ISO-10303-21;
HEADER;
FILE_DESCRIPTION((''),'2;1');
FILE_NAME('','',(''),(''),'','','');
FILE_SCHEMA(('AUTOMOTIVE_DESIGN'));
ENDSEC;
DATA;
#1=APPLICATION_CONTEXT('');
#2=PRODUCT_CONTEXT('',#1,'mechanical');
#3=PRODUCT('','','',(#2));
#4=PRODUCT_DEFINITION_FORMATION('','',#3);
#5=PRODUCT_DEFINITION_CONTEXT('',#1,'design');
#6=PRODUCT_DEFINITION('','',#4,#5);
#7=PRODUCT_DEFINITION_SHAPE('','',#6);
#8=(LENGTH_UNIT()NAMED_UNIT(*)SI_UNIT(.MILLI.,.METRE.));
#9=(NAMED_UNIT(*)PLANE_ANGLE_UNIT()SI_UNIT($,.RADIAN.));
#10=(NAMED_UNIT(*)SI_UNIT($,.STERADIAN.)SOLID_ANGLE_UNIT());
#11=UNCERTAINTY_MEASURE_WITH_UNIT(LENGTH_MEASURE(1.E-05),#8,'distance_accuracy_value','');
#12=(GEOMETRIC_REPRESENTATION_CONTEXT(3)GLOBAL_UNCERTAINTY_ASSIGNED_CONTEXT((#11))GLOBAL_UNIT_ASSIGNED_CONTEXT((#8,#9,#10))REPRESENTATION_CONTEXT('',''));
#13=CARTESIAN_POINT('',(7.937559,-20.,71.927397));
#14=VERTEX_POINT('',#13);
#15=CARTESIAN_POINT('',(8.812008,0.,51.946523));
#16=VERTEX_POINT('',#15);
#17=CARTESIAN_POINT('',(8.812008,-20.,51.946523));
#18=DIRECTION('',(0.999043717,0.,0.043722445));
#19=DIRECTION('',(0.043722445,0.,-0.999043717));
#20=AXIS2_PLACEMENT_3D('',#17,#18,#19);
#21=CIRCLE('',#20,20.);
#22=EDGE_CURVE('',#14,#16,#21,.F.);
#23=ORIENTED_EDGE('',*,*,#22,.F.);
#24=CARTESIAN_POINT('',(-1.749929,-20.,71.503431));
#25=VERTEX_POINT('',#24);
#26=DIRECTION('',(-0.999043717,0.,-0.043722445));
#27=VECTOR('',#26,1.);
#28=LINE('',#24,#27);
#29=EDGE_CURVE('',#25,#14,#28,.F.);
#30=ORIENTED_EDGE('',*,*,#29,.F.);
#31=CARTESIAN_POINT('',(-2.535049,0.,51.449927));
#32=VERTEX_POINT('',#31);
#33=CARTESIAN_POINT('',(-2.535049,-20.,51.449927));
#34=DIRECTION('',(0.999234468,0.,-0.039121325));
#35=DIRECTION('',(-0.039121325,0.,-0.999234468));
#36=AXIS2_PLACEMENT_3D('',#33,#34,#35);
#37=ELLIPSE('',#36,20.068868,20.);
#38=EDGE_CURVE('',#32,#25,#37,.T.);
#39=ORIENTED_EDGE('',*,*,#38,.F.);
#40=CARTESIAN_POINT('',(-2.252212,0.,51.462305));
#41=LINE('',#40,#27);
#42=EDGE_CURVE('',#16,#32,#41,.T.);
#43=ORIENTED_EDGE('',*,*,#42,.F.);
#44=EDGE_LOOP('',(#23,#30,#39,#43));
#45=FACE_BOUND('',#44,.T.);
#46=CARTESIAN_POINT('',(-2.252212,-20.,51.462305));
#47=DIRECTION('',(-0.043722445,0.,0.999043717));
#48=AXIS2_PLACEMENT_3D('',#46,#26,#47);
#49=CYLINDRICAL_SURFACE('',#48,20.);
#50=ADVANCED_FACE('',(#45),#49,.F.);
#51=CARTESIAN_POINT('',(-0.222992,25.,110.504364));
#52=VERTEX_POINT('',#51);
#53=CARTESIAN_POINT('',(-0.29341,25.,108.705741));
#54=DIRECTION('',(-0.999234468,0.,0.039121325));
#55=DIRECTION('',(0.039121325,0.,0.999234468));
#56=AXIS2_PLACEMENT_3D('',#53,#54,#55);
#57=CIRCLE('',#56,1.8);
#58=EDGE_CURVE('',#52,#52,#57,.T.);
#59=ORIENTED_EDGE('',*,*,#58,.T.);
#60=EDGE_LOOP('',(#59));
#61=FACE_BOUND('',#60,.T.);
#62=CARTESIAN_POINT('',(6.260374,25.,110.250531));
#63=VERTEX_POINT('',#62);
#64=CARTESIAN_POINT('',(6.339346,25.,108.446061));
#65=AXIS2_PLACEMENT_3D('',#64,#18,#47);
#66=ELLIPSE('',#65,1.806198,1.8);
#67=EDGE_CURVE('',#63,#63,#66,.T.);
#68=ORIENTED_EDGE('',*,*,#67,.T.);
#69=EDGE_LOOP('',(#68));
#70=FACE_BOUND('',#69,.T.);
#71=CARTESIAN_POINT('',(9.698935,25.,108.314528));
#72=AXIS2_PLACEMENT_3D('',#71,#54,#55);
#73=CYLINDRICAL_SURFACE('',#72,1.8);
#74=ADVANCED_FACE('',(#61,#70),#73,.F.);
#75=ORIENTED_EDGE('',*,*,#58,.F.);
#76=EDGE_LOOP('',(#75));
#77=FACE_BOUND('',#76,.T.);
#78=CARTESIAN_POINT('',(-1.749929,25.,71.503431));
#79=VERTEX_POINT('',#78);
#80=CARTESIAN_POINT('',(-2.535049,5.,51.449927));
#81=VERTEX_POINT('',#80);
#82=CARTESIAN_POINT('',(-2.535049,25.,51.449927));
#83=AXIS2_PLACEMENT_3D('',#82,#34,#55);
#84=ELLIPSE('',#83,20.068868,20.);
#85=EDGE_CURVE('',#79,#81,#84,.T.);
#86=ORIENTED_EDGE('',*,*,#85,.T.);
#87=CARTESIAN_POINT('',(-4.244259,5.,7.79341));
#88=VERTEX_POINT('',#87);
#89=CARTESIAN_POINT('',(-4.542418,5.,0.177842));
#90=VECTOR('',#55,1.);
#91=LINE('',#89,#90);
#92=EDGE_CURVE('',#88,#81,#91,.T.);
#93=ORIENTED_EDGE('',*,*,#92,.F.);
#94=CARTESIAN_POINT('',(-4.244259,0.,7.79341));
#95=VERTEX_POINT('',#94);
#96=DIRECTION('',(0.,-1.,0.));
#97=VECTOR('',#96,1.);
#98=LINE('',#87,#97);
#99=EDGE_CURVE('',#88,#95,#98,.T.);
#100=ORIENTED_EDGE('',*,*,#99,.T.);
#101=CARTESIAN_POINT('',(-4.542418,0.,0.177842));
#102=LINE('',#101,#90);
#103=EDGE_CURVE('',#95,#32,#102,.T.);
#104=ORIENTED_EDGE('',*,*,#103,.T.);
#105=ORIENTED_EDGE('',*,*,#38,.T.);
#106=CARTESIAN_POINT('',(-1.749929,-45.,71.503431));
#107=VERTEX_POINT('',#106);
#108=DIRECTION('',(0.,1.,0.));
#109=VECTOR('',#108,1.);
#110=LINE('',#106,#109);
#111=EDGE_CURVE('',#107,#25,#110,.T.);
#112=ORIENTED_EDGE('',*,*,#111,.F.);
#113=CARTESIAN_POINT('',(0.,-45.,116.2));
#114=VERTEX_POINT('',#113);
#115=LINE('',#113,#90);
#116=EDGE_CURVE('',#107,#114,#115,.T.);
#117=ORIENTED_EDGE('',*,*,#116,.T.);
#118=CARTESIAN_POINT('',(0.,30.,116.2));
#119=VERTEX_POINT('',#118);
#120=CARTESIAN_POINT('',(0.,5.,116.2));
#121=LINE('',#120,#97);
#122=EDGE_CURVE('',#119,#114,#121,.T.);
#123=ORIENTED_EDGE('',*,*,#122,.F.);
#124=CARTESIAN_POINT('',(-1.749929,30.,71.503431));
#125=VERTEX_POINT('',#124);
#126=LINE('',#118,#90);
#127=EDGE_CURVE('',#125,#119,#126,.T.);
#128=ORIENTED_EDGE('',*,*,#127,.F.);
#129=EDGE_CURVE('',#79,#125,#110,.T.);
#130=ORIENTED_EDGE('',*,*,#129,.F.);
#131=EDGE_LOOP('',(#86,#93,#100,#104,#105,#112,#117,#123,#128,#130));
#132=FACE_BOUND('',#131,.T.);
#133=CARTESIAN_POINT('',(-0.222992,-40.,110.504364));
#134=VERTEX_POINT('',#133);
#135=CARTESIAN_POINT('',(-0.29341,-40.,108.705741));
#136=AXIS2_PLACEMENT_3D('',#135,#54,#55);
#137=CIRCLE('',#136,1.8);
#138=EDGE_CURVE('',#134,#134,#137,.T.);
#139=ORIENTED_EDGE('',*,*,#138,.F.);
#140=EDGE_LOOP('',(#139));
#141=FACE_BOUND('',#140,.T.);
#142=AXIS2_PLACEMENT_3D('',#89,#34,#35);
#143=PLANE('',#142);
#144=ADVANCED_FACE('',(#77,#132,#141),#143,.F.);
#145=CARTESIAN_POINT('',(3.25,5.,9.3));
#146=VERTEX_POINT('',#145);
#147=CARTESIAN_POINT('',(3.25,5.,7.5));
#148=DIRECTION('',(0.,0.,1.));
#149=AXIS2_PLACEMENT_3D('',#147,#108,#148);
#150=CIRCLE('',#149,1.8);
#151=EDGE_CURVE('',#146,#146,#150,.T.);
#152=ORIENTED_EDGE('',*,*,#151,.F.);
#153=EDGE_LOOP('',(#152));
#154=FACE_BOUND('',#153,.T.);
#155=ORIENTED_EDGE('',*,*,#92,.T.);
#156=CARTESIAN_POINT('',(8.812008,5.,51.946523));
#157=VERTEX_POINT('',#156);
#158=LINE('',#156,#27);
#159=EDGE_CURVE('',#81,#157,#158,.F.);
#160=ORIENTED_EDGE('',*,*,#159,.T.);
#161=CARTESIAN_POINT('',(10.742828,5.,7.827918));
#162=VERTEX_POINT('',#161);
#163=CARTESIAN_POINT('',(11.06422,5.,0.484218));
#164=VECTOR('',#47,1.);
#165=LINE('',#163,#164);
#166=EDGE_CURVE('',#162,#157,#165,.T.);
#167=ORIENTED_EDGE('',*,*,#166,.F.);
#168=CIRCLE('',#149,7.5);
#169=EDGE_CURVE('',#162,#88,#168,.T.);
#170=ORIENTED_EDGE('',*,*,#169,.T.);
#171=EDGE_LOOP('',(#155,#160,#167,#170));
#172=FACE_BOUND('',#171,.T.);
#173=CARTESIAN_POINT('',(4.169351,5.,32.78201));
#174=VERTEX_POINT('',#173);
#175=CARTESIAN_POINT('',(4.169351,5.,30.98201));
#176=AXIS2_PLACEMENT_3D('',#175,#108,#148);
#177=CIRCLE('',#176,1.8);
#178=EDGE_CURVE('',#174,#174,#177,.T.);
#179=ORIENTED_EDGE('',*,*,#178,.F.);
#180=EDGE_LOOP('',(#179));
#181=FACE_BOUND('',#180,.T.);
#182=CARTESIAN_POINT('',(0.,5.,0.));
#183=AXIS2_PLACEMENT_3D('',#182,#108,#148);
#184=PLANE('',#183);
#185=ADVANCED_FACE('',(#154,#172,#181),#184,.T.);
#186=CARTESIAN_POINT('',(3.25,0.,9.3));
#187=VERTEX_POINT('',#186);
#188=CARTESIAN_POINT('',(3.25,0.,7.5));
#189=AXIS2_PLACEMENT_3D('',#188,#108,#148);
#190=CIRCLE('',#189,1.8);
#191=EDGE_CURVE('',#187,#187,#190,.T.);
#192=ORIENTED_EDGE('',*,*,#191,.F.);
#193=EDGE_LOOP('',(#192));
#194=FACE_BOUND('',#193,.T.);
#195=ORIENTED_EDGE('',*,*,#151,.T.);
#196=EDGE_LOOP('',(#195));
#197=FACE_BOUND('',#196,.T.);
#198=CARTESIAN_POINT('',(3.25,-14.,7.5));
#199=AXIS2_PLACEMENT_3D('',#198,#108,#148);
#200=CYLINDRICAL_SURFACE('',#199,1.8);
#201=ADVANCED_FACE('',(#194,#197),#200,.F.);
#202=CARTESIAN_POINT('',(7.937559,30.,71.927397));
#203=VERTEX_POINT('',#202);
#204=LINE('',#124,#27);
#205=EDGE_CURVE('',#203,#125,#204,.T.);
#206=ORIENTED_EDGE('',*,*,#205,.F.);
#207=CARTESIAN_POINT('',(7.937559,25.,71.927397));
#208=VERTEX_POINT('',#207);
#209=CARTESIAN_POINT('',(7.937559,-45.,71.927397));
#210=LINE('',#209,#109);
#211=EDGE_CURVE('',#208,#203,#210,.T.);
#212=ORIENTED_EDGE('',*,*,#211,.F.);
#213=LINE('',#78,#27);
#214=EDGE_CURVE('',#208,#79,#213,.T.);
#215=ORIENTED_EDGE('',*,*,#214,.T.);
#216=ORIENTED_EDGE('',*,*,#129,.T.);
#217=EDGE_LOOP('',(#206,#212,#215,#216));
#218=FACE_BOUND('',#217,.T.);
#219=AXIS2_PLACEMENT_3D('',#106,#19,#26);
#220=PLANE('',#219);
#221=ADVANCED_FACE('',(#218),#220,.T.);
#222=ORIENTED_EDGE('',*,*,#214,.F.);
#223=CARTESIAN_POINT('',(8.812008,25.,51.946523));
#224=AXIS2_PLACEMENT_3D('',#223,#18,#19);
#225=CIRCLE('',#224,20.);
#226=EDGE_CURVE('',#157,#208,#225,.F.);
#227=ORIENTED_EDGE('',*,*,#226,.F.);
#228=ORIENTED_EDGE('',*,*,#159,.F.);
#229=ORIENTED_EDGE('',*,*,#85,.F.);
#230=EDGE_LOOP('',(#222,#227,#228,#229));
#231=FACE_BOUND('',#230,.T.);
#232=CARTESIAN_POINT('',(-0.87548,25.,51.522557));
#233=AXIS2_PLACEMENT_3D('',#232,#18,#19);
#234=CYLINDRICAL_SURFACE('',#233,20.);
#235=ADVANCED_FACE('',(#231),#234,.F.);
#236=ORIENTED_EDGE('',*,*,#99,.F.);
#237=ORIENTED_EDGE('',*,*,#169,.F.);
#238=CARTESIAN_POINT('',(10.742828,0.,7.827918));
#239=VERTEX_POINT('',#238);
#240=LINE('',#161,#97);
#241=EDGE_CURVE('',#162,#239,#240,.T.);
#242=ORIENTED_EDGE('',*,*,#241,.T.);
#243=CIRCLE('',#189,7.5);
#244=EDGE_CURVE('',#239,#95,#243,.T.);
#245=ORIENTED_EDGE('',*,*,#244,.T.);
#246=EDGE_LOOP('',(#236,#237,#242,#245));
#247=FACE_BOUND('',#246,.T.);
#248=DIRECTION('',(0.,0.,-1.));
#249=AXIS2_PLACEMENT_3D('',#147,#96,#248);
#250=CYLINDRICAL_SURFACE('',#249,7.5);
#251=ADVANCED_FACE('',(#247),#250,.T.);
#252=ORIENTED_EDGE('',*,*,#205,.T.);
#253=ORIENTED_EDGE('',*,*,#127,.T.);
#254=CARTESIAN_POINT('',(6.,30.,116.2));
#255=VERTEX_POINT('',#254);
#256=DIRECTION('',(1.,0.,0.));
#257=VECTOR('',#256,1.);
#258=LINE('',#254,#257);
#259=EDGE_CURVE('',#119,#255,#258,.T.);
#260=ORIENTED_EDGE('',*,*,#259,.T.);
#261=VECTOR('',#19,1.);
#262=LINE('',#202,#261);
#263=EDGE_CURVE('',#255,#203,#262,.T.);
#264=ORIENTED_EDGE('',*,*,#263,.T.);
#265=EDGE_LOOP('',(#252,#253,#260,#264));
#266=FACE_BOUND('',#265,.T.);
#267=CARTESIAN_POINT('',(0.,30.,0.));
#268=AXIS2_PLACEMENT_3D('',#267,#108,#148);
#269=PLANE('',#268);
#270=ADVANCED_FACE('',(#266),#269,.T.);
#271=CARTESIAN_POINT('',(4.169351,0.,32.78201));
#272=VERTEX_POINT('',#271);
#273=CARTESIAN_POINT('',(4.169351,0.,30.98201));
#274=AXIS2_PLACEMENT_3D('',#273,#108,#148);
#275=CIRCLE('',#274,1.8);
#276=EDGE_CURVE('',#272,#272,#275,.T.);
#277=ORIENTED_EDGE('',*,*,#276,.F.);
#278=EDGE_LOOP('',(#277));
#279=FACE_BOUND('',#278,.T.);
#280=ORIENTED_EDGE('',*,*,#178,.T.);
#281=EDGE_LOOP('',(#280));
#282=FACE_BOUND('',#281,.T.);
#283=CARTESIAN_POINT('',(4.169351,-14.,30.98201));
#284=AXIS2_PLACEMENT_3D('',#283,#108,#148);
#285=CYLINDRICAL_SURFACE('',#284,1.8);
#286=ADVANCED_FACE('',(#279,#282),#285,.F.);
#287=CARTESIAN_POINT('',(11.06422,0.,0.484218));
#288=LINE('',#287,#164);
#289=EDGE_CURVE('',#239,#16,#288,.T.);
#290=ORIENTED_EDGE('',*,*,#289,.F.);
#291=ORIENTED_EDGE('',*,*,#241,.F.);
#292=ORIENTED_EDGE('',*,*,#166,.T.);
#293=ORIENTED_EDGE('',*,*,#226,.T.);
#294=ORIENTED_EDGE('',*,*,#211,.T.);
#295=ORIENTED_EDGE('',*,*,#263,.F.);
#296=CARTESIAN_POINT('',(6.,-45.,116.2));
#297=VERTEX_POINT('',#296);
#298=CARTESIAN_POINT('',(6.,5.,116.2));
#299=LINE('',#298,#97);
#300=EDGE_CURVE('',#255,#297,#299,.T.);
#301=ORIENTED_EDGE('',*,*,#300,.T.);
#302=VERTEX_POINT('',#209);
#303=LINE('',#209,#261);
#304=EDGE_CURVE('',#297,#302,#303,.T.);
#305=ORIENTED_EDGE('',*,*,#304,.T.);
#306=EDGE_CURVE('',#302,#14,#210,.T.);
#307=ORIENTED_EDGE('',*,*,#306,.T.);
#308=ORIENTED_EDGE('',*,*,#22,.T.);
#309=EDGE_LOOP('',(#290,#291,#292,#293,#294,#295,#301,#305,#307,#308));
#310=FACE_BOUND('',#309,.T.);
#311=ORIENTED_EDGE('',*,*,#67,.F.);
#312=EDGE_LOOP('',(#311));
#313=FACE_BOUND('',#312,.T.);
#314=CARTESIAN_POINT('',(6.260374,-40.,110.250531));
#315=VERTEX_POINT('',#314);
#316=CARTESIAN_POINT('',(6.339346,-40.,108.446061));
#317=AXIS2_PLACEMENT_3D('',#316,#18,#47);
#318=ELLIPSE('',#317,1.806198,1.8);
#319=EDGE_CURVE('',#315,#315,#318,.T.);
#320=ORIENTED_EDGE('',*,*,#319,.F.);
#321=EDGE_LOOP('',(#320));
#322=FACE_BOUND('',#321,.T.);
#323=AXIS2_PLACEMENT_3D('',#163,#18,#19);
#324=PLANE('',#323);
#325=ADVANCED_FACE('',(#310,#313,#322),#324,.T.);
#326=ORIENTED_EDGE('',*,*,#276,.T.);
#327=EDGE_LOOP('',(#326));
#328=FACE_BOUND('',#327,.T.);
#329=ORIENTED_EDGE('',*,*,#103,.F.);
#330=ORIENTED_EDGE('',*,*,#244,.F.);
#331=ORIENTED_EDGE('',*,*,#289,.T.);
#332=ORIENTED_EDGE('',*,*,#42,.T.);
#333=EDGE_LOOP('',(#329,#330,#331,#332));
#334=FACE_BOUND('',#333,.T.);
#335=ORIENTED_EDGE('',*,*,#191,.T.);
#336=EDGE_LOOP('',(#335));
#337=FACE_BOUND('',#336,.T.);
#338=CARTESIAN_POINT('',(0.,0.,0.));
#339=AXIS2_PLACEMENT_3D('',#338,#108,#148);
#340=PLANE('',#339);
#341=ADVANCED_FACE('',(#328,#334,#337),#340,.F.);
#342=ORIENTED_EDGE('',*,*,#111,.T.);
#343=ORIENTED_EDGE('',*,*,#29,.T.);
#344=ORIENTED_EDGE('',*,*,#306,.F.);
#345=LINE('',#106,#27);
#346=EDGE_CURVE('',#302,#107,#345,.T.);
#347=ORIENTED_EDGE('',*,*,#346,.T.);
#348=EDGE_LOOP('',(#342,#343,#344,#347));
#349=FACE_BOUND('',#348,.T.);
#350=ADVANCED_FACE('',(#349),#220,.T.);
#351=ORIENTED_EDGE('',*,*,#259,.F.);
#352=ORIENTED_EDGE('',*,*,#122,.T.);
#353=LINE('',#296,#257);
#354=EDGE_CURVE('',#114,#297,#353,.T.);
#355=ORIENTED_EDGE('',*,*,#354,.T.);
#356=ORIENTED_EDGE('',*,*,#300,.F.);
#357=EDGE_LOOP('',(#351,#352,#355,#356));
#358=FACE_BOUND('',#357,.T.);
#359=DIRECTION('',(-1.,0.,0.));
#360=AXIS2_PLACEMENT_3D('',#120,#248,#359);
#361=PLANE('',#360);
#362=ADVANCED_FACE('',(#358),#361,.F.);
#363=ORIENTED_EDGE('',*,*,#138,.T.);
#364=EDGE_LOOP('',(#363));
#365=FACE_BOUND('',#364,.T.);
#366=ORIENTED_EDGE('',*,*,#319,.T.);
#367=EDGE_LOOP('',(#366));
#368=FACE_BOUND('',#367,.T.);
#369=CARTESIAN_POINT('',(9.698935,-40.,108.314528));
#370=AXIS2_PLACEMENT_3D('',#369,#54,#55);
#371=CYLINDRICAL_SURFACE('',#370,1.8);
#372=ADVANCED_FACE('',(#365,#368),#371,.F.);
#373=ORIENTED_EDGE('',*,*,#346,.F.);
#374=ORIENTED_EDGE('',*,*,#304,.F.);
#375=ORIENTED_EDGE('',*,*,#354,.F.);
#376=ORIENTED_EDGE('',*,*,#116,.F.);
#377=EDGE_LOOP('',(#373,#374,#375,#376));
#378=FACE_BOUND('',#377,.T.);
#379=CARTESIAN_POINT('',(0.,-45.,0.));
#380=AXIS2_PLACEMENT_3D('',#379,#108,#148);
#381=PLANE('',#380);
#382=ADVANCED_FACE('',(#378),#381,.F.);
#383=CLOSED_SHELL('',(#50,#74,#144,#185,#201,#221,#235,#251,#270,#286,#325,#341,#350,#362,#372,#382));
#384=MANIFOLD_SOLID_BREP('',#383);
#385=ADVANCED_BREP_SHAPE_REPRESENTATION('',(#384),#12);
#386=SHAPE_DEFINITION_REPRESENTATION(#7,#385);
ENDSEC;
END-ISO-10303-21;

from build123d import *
from build123d.topology import SkipClean

# Parameters (mm, degrees)
BOSS_EXTRUDE1_DEPTH      = 5
BOSS_EXTRUDE2_DEPTH      = 25
BOSS_EXTRUDE2_DEPTH_BACK = 50
FILLET1_R                = 20
SKETCH3_R                = 1.8
CUT_EXTRUDE1_DEPTH       = 19
SKETCH4_R                = 1.8
CUT_EXTRUDE2_DEPTH       = 10


with BuildPart() as part:
    # Sketch1 → Boss-Extrude1 (new body)
    with SkipClean():  # the faces are left unmerged after this step: merging them gives an invalid solid
        with BuildSketch(Plane(origin=(0, 0, 0), x_dir=(1, 0, 0), z_dir=(0, 1, 0))):
            with BuildLine():
                ThreePointArc((0, -0.740747083), (-3.176101933, -3.632802831), (-4.24425851, -7.793409934))
                Line((-4.24425851, -7.793409934), (0, -14.259252917))
                Line((0, -14.259252917), (0, -0.740747083))
            make_face()
            with BuildLine():
                Line((6, -0.522357132), (6, -14.477642868))
                Line((6, -14.477642868), (10.742827875, -7.827918338))
                ThreePointArc((10.742827875, -7.827918338), (10.748206754, -7.663998381), (10.75, -7.5))
                ThreePointArc((10.75, -7.5), (9.449798384, -3.279514246), (6, -0.522357132))
            make_face()
            with BuildLine():
                Line((0, -0.740747083), (0, -14.259252917))
                ThreePointArc((0, -14.259252917), (2.977193214, -14.995036788), (6, -14.477642868))
                Line((6, -14.477642868), (6, -0.522357132))
                ThreePointArc((6, -0.522357132), (4.649585383, -0.131746424), (3.25, 0))
                ThreePointArc((3.25, 0), (1.583326199, -0.187531303), (0, -0.740747083))
            make_face()
            with BuildLine():
                ThreePointArc((0, -14.259252917), (-3.019892671, -11.615634325), (-4.24425851, -7.793409934))
                Line((-4.24425851, -7.793409934), (0, -116.2))
                Line((0, -116.2), (0, -14.259252917))
            make_face()
            with BuildLine():
                Line((6, -14.477642868), (6, -116.2))
                Line((6, -116.2), (10.742827875, -7.827918338))
                ThreePointArc((10.742827875, -7.827918338), (9.356028972, -11.855044225), (6, -14.477642868))
            make_face()
            with BuildLine():
                Line((0, -14.259252917), (0, -116.2))
                Line((0, -116.2), (6, -116.2))
                Line((6, -116.2), (6, -14.477642868))
                ThreePointArc((6, -14.477642868), (2.977193214, -14.995036788), (0, -14.259252917))
            make_face()
            with BuildLine():
                Line((10.742827875, -7.827918338), (6, -14.477642868))
                ThreePointArc((6, -14.477642868), (9.356028972, -11.855044225), (10.742827875, -7.827918338))
            make_face()
            with BuildLine():
                Line((0, -14.259252917), (-4.24425851, -7.793409934))
                ThreePointArc((-4.24425851, -7.793409934), (-3.019892671, -11.615634325), (0, -14.259252917))
            make_face()
        extrude(amount=BOSS_EXTRUDE1_DEPTH)

    # Sketch2 → Boss-Extrude2 (add, two sides: drawn at the far end of the back side and taken through both)
    with BuildSketch(Plane(origin=(0, 5, 0), x_dir=(1, 0, 0), z_dir=(0, 1, 0)).offset(-BOSS_EXTRUDE2_DEPTH_BACK)):
        Polygon((-1.749928594, -71.503431366), (7.937559289, -71.927397454), (6, -116.2), (0, -116.2), align=None)
    extrude(amount=BOSS_EXTRUDE2_DEPTH + BOSS_EXTRUDE2_DEPTH_BACK)

    # Fillet1
    fillet1_edges = [part.edges().sort_by_distance(p)[0] for p in [
        (3.093815347, 5, 71.71541441),
        (3.093815347, 0, 71.71541441),
    ]]
    fillet(fillet1_edges, radius=FILLET1_R)

    # Sketch3 → Cut-Extrude1 (cut)
    with BuildSketch(Plane(origin=(0, 5, 0), x_dir=(1, 0, 0), z_dir=(0, 1, 0))):
        with Locations(Location((3.25, -7.5, 0), (0, 0, 270))):
            Circle(SKETCH3_R)
        with Locations(Location((4.169351127, -30.982009997, 0), (0, 0, 270))):
            Circle(SKETCH3_R)
    extrude(amount=-CUT_EXTRUDE1_DEPTH, mode=Mode.SUBTRACT)

    # Sketch4 → Cut-Extrude2 (cut)
    with BuildSketch(Plane(origin=(-4.542417883, 0, 0.177841548), x_dir=(0.03912132455492767, 0, 0.9992344679628841), z_dir=(-0.9992344679628841, 0, 0.03912132455492767))):
        with Locations((108.611045177, -40)):
            Circle(SKETCH4_R)
        with Locations((108.611045177, 25)):
            Circle(SKETCH4_R)
    extrude(amount=-CUT_EXTRUDE2_DEPTH, mode=Mode.SUBTRACT)


solid = part.part
